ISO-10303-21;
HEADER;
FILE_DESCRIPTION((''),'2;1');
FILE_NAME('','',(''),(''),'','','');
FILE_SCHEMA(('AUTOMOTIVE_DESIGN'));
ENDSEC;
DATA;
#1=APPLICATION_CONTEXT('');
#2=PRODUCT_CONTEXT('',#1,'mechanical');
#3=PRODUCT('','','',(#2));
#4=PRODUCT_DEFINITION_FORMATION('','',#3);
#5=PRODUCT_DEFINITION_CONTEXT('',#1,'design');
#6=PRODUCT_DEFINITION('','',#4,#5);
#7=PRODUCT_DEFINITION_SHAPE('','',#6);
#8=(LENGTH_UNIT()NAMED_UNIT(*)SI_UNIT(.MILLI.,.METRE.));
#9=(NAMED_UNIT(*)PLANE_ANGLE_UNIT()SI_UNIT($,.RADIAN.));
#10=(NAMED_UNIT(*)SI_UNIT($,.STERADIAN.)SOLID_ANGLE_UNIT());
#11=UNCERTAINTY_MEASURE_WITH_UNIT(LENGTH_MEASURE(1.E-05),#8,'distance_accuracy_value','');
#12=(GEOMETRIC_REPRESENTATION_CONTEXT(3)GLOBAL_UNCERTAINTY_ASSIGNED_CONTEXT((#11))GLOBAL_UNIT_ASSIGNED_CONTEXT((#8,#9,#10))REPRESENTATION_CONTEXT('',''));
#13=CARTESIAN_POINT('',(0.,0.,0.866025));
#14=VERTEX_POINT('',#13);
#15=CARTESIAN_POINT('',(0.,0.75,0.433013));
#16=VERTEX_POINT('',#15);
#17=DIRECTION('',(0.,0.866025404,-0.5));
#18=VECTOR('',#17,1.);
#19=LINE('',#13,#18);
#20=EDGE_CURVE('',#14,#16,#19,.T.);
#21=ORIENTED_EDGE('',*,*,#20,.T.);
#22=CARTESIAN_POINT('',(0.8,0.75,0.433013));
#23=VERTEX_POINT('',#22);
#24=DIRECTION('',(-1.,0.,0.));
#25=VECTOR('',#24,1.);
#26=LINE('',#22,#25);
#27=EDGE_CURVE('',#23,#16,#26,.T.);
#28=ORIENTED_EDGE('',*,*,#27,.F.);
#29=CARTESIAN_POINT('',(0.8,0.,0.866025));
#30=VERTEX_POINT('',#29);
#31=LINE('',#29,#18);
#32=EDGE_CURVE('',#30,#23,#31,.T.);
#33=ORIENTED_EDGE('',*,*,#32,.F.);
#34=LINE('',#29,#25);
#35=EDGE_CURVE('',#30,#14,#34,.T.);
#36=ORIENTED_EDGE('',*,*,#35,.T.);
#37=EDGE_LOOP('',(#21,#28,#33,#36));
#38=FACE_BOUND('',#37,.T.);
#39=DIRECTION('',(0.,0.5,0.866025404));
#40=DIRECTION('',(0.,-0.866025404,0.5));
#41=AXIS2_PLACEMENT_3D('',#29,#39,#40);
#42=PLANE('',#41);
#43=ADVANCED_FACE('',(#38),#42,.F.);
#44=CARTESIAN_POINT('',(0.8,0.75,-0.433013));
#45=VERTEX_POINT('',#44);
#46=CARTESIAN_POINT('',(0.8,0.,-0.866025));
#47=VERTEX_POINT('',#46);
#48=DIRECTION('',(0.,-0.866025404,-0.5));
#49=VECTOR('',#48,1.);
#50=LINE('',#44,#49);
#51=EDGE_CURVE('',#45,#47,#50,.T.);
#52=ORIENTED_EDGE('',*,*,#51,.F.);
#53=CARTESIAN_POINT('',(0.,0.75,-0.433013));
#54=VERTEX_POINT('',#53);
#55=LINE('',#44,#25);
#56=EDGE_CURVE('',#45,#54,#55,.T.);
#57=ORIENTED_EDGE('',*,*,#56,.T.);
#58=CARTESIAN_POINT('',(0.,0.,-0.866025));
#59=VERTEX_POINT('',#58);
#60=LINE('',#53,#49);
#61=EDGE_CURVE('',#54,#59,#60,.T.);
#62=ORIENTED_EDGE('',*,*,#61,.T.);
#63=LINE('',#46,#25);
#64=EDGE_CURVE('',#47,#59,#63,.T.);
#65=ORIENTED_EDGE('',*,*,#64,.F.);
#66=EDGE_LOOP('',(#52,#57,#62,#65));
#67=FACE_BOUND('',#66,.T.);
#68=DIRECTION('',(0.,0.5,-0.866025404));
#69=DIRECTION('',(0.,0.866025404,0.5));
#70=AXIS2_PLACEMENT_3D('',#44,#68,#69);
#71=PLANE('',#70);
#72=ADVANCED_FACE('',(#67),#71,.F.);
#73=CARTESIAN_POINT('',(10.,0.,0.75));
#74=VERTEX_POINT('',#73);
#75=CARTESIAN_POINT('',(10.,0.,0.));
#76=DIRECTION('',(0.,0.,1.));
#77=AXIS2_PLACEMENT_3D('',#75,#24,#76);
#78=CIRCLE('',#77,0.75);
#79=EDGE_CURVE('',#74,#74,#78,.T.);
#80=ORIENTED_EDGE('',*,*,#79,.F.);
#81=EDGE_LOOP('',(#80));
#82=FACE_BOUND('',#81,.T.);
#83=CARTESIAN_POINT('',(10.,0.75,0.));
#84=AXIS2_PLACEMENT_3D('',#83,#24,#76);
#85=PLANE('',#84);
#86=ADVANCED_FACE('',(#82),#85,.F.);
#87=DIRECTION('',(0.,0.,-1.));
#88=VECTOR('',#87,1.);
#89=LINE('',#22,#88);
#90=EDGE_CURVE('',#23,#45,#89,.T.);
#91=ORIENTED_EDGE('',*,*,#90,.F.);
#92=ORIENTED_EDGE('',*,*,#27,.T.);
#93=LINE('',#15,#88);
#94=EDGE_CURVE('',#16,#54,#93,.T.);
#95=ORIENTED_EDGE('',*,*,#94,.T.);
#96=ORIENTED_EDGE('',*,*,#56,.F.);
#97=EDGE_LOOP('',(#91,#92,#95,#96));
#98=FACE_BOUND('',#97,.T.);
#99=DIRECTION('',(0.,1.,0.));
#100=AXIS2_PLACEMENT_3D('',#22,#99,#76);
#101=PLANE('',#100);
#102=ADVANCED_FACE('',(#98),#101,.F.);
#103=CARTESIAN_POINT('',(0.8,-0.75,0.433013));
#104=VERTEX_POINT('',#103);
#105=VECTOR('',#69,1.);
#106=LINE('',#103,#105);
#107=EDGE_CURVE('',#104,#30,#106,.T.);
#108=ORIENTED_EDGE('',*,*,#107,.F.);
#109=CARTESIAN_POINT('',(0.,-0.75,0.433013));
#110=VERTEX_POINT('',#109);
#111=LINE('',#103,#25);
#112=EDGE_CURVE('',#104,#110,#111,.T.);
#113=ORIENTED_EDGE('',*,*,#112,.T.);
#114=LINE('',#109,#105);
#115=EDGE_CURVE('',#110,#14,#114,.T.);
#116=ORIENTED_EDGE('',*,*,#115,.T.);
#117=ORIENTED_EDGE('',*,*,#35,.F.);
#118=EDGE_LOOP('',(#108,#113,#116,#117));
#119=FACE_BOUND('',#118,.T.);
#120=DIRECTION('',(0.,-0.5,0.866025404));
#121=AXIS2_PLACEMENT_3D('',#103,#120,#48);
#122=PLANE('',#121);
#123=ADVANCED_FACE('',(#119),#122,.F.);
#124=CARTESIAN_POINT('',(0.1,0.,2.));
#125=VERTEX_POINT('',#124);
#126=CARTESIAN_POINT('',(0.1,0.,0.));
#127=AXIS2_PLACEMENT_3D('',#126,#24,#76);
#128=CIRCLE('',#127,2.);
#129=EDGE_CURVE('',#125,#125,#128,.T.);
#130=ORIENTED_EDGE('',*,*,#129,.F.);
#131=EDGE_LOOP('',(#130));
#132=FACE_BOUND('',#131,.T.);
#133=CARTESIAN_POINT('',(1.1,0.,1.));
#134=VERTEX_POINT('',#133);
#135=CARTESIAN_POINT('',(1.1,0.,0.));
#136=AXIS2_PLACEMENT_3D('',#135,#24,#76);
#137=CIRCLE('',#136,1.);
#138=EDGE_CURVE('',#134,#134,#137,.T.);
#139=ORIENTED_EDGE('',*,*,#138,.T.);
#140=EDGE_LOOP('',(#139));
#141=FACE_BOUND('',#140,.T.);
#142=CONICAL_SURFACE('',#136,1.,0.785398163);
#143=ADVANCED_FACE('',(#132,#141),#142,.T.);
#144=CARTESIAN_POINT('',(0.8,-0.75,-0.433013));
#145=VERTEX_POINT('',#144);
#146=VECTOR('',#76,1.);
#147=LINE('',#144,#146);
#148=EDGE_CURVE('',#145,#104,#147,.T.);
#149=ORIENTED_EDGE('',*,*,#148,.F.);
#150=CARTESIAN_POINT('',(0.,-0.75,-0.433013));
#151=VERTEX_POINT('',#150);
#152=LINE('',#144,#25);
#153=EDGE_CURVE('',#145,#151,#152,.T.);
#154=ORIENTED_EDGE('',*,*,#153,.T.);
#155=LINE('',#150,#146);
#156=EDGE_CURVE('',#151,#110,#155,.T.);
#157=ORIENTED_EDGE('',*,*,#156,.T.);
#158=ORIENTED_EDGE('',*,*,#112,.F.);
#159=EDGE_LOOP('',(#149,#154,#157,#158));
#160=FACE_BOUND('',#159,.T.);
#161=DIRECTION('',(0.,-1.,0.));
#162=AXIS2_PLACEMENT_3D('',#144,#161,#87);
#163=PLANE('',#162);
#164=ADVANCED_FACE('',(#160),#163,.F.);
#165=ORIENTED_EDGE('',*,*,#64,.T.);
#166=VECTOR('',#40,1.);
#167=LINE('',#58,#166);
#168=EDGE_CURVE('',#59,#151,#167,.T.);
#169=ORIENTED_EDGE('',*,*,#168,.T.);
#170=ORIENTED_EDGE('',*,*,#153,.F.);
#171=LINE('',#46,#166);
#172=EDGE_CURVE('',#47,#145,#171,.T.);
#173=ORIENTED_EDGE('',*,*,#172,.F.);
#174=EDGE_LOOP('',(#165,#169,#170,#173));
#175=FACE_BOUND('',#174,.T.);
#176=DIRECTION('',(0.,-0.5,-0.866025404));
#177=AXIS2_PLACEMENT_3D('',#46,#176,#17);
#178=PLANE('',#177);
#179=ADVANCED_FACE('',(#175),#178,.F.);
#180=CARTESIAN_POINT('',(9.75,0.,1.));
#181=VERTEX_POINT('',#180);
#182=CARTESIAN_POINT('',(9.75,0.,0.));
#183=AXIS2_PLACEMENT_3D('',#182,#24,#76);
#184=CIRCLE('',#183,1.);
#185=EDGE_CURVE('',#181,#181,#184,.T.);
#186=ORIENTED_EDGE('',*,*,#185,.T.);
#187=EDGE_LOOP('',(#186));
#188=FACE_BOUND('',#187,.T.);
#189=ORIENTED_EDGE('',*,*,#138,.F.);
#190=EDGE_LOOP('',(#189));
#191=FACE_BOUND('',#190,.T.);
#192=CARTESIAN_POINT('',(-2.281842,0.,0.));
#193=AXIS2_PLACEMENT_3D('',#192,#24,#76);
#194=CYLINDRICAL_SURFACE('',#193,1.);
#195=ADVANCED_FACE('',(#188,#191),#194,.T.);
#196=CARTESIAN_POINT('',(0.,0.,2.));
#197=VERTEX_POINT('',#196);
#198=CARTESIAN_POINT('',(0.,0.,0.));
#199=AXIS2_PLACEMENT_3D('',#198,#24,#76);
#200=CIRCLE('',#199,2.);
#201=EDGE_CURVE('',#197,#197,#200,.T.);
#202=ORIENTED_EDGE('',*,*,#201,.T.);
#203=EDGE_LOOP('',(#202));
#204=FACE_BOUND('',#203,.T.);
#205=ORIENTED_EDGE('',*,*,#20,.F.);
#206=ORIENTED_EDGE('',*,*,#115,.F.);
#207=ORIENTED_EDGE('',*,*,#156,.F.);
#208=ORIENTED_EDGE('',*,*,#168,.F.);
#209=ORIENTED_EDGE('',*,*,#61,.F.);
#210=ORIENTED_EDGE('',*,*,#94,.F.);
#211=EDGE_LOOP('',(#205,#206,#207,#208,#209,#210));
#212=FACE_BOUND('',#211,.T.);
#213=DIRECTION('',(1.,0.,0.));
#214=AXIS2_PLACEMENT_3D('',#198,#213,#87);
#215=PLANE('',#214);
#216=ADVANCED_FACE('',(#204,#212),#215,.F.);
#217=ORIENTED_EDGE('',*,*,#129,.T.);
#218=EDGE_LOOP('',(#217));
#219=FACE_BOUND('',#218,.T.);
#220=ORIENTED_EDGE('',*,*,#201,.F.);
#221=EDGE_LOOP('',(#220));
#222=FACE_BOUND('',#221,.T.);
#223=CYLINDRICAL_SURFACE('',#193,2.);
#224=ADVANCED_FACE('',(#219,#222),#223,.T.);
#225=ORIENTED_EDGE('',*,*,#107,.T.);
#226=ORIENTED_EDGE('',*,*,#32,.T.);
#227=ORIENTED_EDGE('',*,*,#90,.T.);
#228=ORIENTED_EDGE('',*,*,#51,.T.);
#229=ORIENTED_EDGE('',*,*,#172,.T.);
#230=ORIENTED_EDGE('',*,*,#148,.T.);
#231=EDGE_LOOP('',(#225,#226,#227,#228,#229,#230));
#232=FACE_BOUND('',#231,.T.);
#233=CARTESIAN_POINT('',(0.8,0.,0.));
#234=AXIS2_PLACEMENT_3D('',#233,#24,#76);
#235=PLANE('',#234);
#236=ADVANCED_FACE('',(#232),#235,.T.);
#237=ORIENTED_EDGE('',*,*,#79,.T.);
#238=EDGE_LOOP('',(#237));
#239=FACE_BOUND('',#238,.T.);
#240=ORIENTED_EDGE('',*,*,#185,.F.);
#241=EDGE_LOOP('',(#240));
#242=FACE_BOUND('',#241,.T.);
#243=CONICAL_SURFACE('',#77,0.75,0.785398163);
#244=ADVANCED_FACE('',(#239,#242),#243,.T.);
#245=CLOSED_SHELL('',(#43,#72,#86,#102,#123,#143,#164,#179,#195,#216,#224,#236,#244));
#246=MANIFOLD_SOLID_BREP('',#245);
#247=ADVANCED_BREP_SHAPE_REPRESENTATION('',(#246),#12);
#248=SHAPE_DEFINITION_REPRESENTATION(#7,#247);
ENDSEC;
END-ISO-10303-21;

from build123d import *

# Parameters (mm, degrees)
CUT_EXTRUDE1_DEPTH = 0.8


with BuildPart() as part:
    # Sketch2 → Revolve1 (revolve)
    with BuildSketch(Plane.XY):
        Polygon((0, 0), (0, 2), (0.1, 2), (1.1, 1), (9.75, 1), (10, 0.75), (10, 0), align=None)
    revolve(axis=Axis((-2.281841559, 0, 0), (1, 0, 0)))

    # Sketch3 → Cut-Extrude1 (cut)
    with BuildSketch(Plane.ZY):
        Polygon((0.433012702, -0.75), (0.866025404, 0), (0.433012702, 0.75), (-0.433012702, 0.75), (-0.866025404, 0), (-0.433012702, -0.75), align=None)
    extrude(amount=-CUT_EXTRUDE1_DEPTH, mode=Mode.SUBTRACT)


solid = part.part
